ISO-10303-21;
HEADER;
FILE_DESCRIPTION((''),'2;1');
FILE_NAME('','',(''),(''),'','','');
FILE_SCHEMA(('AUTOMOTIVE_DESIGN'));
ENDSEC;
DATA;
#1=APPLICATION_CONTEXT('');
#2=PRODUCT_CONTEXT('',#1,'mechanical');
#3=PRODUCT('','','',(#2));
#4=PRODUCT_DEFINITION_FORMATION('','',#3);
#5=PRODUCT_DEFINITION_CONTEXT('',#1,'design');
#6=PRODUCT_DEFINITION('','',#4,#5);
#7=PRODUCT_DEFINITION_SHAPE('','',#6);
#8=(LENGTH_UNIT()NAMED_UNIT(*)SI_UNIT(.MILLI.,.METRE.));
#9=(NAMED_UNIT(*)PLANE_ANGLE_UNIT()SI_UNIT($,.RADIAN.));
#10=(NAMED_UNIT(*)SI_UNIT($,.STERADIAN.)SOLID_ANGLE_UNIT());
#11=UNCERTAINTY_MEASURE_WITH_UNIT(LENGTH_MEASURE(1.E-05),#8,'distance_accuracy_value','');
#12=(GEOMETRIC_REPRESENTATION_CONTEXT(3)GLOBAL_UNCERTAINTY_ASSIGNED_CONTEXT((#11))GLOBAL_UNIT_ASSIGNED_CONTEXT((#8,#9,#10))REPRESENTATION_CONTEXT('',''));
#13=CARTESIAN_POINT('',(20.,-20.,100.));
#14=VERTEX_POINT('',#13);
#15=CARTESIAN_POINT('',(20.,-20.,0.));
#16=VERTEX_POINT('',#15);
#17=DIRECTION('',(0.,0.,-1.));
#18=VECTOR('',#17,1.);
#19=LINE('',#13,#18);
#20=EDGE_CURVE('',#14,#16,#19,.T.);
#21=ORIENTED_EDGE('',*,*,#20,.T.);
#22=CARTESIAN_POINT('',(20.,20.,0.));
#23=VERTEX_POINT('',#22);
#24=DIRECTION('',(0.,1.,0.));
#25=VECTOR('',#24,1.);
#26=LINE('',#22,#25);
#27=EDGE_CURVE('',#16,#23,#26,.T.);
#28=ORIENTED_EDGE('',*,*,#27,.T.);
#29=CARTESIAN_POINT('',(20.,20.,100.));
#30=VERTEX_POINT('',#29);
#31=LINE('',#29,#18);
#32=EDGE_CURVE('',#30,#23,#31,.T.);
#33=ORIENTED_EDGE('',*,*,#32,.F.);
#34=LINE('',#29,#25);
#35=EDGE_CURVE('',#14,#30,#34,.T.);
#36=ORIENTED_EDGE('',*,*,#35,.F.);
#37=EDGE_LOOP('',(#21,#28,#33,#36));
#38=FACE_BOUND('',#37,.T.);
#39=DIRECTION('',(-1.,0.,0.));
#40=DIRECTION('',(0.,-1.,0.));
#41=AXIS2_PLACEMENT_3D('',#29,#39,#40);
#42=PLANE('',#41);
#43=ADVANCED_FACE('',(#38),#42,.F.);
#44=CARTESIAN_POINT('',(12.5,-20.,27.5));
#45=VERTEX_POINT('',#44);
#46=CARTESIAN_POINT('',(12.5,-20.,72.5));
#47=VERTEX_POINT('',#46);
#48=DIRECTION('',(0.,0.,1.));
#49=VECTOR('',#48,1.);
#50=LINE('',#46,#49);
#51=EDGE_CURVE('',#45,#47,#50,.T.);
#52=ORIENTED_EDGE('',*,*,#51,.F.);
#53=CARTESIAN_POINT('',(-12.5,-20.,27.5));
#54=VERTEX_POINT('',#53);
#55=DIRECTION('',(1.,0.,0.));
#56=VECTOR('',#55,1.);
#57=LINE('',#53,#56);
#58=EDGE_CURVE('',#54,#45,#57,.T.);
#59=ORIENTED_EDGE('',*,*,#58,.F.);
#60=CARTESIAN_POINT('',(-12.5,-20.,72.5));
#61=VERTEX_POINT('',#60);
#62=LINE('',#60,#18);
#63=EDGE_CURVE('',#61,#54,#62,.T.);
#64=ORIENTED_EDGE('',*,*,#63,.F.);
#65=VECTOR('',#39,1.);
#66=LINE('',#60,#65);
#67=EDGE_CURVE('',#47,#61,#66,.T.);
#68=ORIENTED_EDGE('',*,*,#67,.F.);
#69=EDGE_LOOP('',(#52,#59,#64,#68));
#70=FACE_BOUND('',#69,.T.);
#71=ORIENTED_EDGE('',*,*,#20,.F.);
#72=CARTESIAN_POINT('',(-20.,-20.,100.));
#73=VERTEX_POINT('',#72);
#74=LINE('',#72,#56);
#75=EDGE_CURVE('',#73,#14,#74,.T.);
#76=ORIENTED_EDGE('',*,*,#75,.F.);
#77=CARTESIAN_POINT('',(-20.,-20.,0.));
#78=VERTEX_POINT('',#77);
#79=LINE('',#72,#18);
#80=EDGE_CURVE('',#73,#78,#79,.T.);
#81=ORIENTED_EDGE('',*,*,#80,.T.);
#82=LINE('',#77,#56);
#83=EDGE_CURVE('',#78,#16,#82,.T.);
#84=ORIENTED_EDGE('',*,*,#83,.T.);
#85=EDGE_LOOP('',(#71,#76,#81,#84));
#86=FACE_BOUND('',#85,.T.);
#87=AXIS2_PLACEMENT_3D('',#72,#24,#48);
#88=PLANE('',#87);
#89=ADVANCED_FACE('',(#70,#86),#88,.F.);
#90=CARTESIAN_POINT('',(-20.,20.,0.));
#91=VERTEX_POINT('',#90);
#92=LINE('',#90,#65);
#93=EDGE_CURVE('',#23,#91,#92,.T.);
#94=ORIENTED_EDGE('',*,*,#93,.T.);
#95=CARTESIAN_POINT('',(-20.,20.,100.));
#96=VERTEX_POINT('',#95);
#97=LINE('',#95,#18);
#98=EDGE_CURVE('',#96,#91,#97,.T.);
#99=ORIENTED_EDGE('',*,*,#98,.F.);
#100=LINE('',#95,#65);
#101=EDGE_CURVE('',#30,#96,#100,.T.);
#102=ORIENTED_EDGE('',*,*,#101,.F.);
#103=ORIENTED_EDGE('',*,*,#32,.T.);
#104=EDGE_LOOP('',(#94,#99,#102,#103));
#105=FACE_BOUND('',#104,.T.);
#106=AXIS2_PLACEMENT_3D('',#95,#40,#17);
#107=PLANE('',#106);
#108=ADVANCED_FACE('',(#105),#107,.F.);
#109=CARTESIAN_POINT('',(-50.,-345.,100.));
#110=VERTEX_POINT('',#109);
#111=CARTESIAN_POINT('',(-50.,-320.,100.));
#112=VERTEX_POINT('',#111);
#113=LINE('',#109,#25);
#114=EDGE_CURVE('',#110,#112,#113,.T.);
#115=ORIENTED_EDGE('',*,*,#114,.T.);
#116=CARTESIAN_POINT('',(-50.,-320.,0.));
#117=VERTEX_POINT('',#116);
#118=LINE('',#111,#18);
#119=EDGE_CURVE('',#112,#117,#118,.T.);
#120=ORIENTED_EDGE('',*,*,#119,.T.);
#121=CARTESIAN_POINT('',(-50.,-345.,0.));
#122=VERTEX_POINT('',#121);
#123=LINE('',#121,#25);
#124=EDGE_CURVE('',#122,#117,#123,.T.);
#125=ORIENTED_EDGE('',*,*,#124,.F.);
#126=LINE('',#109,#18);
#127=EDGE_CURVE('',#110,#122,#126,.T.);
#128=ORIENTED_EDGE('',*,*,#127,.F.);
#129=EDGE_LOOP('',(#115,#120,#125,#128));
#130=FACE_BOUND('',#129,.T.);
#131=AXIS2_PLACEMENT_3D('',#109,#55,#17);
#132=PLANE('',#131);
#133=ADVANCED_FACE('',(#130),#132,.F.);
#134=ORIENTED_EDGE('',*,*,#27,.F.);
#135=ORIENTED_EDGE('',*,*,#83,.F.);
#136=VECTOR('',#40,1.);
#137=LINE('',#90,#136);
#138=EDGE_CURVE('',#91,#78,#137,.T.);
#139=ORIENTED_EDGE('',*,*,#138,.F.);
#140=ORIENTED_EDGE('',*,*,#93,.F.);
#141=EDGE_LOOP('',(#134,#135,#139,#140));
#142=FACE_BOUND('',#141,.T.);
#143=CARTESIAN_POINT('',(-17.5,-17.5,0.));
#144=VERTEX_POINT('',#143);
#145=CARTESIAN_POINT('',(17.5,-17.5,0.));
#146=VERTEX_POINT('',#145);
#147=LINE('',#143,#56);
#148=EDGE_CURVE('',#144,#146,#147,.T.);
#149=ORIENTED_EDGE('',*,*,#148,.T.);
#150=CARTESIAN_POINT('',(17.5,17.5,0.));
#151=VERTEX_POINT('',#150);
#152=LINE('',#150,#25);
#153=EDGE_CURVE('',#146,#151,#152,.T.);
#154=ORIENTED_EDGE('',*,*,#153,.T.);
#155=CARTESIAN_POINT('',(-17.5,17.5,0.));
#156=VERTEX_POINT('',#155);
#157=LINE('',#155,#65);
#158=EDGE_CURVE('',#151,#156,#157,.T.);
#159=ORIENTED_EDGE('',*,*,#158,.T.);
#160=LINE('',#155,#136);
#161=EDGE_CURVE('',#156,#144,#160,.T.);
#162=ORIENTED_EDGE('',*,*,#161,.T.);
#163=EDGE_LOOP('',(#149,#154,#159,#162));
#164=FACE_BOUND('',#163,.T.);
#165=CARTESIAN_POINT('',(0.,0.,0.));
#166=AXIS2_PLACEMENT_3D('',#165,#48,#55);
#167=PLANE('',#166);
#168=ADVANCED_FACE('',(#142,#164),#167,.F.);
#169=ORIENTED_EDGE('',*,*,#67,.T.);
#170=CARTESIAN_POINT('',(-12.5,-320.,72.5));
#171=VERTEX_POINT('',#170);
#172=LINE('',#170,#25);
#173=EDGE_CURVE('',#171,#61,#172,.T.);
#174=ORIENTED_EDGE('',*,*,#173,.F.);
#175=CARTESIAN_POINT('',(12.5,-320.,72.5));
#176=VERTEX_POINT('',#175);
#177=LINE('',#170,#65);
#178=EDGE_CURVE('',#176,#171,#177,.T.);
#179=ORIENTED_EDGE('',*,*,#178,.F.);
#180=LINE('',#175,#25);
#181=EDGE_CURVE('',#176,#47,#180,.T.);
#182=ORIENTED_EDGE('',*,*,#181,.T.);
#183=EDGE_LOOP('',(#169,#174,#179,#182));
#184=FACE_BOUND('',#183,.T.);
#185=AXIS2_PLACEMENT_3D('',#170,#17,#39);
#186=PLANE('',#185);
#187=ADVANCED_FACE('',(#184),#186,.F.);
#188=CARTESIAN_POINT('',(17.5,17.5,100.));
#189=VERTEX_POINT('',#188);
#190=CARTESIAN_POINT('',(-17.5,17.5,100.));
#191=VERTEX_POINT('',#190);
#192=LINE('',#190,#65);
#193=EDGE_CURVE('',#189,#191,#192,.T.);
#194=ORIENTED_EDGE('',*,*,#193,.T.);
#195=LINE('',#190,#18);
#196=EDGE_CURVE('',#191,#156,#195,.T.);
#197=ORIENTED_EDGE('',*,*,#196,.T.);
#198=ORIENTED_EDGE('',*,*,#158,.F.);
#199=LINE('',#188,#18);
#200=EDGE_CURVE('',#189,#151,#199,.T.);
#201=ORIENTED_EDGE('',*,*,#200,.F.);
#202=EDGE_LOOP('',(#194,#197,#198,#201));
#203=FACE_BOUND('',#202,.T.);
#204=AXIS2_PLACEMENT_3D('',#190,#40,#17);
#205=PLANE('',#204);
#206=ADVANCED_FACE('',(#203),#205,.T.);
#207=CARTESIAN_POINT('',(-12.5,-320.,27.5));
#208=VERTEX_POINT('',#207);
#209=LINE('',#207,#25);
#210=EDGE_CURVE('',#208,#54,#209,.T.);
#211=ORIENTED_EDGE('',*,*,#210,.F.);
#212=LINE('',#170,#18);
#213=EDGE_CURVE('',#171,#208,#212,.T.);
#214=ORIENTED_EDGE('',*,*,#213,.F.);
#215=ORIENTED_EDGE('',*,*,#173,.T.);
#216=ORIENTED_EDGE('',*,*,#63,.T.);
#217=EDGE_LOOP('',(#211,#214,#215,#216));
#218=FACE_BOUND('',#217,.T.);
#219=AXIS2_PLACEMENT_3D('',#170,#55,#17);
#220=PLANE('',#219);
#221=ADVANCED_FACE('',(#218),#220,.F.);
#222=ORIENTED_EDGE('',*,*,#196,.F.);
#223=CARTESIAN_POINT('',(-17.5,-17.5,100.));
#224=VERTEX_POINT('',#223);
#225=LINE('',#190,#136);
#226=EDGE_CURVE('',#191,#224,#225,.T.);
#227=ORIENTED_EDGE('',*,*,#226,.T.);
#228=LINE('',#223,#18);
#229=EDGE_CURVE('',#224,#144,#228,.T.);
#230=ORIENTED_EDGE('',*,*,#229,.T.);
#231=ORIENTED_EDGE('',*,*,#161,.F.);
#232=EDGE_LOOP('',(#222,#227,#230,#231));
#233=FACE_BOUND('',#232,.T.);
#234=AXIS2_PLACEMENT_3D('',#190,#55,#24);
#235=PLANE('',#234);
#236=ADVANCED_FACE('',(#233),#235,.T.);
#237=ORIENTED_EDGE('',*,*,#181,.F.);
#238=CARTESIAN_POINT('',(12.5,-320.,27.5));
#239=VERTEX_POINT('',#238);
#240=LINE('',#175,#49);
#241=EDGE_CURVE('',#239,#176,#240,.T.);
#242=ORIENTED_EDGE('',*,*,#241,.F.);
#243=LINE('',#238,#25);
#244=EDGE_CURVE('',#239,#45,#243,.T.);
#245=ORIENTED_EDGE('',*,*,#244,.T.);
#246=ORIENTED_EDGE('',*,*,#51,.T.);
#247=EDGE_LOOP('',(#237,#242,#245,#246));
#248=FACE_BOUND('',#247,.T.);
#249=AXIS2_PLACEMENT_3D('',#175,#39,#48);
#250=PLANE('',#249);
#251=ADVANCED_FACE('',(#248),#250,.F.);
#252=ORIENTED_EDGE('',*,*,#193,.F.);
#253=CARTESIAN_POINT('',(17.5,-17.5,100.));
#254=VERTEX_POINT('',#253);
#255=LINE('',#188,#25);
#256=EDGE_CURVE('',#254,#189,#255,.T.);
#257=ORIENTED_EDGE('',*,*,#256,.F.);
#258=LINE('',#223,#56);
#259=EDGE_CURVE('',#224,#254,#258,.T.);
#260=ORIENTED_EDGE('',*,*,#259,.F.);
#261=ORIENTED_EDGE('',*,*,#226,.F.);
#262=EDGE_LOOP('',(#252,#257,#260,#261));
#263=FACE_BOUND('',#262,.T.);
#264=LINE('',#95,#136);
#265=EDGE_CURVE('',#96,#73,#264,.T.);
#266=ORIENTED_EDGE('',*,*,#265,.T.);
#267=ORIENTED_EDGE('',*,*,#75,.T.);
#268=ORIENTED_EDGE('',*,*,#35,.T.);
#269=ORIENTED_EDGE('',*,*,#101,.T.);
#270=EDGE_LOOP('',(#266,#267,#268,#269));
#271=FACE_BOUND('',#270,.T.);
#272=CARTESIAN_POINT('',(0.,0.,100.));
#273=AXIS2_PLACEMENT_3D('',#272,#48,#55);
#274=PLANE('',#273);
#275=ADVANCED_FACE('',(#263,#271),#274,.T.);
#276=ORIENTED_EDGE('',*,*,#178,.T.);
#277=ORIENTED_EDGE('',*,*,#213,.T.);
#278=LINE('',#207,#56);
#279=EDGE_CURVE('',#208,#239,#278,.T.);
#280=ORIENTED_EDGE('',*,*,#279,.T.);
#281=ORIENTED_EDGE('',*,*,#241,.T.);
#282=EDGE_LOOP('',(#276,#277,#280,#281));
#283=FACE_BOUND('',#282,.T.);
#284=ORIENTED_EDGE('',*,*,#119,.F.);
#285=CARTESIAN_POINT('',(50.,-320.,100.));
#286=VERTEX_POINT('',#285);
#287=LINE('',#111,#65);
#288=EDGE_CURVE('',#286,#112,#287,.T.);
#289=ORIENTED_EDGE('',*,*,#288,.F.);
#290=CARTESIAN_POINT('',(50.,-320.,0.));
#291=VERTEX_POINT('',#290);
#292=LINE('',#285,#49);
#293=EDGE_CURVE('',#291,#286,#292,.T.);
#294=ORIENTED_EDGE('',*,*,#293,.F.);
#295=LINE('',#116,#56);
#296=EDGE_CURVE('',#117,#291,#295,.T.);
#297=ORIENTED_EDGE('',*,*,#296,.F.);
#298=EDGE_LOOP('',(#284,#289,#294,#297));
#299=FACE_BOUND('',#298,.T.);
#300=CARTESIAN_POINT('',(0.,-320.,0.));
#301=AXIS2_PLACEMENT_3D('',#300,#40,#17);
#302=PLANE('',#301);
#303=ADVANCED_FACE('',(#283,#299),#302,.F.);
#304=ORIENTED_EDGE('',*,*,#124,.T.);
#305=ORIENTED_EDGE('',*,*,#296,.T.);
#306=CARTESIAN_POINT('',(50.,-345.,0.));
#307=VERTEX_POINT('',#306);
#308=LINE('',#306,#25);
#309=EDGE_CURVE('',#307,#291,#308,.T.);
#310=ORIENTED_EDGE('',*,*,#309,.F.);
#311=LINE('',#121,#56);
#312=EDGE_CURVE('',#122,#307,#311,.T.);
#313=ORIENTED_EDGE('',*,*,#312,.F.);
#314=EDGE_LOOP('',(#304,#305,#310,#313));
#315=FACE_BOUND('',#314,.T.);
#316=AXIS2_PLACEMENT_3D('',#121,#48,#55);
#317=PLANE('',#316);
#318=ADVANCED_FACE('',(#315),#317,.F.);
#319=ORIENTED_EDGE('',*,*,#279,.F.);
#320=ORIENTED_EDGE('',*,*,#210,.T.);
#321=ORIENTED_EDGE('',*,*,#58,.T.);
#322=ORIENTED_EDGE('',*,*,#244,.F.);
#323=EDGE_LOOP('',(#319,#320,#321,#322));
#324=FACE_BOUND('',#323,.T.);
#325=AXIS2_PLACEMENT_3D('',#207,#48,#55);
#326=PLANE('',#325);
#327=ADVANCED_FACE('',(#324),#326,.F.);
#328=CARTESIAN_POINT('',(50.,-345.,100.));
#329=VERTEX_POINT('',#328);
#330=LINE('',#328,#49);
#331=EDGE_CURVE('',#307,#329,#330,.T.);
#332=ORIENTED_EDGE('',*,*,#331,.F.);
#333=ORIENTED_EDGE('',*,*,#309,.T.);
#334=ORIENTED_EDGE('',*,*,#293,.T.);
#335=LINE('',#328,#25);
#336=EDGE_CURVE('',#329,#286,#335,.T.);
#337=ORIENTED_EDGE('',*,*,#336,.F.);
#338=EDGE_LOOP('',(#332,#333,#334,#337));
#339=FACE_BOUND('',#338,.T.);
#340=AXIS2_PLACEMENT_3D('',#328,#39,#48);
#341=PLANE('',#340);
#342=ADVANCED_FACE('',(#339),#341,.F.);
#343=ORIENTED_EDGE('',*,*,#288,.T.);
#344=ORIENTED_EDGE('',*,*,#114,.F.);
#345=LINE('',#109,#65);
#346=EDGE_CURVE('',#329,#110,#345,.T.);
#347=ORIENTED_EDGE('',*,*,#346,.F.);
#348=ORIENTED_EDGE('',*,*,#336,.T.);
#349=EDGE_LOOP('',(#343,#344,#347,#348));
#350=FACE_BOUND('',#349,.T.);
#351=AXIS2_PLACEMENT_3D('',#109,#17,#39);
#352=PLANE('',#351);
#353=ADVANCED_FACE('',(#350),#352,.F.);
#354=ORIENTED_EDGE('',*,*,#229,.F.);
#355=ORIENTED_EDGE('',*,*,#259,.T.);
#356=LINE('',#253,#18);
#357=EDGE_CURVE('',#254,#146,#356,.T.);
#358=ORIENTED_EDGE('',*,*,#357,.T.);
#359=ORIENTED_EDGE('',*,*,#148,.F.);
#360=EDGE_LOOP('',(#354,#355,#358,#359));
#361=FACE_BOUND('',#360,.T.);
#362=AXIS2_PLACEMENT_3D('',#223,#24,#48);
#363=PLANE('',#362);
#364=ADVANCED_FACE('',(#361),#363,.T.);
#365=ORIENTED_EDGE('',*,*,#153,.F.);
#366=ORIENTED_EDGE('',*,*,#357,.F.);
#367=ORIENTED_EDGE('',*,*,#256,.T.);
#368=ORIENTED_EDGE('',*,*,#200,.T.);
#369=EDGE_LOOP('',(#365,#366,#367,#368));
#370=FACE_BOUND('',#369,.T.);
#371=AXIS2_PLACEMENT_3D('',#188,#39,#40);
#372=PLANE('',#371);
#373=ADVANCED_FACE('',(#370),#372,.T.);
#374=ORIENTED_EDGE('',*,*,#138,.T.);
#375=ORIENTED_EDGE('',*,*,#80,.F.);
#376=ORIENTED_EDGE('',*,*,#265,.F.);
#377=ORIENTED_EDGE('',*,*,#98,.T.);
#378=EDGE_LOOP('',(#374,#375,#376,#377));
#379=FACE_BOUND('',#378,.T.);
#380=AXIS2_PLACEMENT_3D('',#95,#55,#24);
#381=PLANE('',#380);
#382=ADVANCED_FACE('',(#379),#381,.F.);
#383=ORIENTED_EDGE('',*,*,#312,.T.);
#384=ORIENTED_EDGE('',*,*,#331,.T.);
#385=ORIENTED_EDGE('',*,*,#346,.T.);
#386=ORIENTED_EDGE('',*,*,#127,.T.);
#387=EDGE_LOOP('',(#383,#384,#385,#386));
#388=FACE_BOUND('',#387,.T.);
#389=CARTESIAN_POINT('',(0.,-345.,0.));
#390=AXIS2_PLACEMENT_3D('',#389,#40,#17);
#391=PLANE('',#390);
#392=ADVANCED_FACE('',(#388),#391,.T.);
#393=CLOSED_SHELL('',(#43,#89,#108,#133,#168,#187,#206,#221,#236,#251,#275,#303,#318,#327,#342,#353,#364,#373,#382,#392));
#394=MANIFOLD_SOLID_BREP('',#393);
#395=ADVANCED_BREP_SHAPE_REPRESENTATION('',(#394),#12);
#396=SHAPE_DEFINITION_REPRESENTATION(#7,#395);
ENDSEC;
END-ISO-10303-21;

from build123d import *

# Parameters (mm, degrees)
ESQUISSE2_W        = 40
ESQUISSE2_H        = 40
ESQUISSE2_W_2      = 35
ESQUISSE2_H_2      = 35
BOSS_EXTRU_1_DEPTH = 100
ESQUISSE3_W        = 25
ESQUISSE3_H        = 45
BOSS_EXTRU_2_DEPTH = 300
ESQUISSE4_W        = 100
ESQUISSE4_H        = 100
BOSS_EXTRU_3_DEPTH = 25


with BuildPart() as part:
    # Esquisse2 → Boss.-Extru.1 (new body)
    with BuildSketch(Plane.XY):
        Rectangle(ESQUISSE2_W, ESQUISSE2_H)
        Rectangle(ESQUISSE2_W_2, ESQUISSE2_H_2, mode=Mode.SUBTRACT)
    extrude(amount=BOSS_EXTRU_1_DEPTH)

    # Esquisse3 → Boss.-Extru.2 (add)
    with BuildSketch(Plane.XZ.offset(20)):
        with Locations((0, 50)):
            Rectangle(ESQUISSE3_W, ESQUISSE3_H)
    extrude(amount=BOSS_EXTRU_2_DEPTH)

    # Esquisse4 → Boss.-Extru.3 (add)
    with BuildSketch(Plane.XZ.offset(320)):
        with Locations((0, 50)):
            Rectangle(ESQUISSE4_W, ESQUISSE4_H)
    extrude(amount=BOSS_EXTRU_3_DEPTH)


solid = part.part
